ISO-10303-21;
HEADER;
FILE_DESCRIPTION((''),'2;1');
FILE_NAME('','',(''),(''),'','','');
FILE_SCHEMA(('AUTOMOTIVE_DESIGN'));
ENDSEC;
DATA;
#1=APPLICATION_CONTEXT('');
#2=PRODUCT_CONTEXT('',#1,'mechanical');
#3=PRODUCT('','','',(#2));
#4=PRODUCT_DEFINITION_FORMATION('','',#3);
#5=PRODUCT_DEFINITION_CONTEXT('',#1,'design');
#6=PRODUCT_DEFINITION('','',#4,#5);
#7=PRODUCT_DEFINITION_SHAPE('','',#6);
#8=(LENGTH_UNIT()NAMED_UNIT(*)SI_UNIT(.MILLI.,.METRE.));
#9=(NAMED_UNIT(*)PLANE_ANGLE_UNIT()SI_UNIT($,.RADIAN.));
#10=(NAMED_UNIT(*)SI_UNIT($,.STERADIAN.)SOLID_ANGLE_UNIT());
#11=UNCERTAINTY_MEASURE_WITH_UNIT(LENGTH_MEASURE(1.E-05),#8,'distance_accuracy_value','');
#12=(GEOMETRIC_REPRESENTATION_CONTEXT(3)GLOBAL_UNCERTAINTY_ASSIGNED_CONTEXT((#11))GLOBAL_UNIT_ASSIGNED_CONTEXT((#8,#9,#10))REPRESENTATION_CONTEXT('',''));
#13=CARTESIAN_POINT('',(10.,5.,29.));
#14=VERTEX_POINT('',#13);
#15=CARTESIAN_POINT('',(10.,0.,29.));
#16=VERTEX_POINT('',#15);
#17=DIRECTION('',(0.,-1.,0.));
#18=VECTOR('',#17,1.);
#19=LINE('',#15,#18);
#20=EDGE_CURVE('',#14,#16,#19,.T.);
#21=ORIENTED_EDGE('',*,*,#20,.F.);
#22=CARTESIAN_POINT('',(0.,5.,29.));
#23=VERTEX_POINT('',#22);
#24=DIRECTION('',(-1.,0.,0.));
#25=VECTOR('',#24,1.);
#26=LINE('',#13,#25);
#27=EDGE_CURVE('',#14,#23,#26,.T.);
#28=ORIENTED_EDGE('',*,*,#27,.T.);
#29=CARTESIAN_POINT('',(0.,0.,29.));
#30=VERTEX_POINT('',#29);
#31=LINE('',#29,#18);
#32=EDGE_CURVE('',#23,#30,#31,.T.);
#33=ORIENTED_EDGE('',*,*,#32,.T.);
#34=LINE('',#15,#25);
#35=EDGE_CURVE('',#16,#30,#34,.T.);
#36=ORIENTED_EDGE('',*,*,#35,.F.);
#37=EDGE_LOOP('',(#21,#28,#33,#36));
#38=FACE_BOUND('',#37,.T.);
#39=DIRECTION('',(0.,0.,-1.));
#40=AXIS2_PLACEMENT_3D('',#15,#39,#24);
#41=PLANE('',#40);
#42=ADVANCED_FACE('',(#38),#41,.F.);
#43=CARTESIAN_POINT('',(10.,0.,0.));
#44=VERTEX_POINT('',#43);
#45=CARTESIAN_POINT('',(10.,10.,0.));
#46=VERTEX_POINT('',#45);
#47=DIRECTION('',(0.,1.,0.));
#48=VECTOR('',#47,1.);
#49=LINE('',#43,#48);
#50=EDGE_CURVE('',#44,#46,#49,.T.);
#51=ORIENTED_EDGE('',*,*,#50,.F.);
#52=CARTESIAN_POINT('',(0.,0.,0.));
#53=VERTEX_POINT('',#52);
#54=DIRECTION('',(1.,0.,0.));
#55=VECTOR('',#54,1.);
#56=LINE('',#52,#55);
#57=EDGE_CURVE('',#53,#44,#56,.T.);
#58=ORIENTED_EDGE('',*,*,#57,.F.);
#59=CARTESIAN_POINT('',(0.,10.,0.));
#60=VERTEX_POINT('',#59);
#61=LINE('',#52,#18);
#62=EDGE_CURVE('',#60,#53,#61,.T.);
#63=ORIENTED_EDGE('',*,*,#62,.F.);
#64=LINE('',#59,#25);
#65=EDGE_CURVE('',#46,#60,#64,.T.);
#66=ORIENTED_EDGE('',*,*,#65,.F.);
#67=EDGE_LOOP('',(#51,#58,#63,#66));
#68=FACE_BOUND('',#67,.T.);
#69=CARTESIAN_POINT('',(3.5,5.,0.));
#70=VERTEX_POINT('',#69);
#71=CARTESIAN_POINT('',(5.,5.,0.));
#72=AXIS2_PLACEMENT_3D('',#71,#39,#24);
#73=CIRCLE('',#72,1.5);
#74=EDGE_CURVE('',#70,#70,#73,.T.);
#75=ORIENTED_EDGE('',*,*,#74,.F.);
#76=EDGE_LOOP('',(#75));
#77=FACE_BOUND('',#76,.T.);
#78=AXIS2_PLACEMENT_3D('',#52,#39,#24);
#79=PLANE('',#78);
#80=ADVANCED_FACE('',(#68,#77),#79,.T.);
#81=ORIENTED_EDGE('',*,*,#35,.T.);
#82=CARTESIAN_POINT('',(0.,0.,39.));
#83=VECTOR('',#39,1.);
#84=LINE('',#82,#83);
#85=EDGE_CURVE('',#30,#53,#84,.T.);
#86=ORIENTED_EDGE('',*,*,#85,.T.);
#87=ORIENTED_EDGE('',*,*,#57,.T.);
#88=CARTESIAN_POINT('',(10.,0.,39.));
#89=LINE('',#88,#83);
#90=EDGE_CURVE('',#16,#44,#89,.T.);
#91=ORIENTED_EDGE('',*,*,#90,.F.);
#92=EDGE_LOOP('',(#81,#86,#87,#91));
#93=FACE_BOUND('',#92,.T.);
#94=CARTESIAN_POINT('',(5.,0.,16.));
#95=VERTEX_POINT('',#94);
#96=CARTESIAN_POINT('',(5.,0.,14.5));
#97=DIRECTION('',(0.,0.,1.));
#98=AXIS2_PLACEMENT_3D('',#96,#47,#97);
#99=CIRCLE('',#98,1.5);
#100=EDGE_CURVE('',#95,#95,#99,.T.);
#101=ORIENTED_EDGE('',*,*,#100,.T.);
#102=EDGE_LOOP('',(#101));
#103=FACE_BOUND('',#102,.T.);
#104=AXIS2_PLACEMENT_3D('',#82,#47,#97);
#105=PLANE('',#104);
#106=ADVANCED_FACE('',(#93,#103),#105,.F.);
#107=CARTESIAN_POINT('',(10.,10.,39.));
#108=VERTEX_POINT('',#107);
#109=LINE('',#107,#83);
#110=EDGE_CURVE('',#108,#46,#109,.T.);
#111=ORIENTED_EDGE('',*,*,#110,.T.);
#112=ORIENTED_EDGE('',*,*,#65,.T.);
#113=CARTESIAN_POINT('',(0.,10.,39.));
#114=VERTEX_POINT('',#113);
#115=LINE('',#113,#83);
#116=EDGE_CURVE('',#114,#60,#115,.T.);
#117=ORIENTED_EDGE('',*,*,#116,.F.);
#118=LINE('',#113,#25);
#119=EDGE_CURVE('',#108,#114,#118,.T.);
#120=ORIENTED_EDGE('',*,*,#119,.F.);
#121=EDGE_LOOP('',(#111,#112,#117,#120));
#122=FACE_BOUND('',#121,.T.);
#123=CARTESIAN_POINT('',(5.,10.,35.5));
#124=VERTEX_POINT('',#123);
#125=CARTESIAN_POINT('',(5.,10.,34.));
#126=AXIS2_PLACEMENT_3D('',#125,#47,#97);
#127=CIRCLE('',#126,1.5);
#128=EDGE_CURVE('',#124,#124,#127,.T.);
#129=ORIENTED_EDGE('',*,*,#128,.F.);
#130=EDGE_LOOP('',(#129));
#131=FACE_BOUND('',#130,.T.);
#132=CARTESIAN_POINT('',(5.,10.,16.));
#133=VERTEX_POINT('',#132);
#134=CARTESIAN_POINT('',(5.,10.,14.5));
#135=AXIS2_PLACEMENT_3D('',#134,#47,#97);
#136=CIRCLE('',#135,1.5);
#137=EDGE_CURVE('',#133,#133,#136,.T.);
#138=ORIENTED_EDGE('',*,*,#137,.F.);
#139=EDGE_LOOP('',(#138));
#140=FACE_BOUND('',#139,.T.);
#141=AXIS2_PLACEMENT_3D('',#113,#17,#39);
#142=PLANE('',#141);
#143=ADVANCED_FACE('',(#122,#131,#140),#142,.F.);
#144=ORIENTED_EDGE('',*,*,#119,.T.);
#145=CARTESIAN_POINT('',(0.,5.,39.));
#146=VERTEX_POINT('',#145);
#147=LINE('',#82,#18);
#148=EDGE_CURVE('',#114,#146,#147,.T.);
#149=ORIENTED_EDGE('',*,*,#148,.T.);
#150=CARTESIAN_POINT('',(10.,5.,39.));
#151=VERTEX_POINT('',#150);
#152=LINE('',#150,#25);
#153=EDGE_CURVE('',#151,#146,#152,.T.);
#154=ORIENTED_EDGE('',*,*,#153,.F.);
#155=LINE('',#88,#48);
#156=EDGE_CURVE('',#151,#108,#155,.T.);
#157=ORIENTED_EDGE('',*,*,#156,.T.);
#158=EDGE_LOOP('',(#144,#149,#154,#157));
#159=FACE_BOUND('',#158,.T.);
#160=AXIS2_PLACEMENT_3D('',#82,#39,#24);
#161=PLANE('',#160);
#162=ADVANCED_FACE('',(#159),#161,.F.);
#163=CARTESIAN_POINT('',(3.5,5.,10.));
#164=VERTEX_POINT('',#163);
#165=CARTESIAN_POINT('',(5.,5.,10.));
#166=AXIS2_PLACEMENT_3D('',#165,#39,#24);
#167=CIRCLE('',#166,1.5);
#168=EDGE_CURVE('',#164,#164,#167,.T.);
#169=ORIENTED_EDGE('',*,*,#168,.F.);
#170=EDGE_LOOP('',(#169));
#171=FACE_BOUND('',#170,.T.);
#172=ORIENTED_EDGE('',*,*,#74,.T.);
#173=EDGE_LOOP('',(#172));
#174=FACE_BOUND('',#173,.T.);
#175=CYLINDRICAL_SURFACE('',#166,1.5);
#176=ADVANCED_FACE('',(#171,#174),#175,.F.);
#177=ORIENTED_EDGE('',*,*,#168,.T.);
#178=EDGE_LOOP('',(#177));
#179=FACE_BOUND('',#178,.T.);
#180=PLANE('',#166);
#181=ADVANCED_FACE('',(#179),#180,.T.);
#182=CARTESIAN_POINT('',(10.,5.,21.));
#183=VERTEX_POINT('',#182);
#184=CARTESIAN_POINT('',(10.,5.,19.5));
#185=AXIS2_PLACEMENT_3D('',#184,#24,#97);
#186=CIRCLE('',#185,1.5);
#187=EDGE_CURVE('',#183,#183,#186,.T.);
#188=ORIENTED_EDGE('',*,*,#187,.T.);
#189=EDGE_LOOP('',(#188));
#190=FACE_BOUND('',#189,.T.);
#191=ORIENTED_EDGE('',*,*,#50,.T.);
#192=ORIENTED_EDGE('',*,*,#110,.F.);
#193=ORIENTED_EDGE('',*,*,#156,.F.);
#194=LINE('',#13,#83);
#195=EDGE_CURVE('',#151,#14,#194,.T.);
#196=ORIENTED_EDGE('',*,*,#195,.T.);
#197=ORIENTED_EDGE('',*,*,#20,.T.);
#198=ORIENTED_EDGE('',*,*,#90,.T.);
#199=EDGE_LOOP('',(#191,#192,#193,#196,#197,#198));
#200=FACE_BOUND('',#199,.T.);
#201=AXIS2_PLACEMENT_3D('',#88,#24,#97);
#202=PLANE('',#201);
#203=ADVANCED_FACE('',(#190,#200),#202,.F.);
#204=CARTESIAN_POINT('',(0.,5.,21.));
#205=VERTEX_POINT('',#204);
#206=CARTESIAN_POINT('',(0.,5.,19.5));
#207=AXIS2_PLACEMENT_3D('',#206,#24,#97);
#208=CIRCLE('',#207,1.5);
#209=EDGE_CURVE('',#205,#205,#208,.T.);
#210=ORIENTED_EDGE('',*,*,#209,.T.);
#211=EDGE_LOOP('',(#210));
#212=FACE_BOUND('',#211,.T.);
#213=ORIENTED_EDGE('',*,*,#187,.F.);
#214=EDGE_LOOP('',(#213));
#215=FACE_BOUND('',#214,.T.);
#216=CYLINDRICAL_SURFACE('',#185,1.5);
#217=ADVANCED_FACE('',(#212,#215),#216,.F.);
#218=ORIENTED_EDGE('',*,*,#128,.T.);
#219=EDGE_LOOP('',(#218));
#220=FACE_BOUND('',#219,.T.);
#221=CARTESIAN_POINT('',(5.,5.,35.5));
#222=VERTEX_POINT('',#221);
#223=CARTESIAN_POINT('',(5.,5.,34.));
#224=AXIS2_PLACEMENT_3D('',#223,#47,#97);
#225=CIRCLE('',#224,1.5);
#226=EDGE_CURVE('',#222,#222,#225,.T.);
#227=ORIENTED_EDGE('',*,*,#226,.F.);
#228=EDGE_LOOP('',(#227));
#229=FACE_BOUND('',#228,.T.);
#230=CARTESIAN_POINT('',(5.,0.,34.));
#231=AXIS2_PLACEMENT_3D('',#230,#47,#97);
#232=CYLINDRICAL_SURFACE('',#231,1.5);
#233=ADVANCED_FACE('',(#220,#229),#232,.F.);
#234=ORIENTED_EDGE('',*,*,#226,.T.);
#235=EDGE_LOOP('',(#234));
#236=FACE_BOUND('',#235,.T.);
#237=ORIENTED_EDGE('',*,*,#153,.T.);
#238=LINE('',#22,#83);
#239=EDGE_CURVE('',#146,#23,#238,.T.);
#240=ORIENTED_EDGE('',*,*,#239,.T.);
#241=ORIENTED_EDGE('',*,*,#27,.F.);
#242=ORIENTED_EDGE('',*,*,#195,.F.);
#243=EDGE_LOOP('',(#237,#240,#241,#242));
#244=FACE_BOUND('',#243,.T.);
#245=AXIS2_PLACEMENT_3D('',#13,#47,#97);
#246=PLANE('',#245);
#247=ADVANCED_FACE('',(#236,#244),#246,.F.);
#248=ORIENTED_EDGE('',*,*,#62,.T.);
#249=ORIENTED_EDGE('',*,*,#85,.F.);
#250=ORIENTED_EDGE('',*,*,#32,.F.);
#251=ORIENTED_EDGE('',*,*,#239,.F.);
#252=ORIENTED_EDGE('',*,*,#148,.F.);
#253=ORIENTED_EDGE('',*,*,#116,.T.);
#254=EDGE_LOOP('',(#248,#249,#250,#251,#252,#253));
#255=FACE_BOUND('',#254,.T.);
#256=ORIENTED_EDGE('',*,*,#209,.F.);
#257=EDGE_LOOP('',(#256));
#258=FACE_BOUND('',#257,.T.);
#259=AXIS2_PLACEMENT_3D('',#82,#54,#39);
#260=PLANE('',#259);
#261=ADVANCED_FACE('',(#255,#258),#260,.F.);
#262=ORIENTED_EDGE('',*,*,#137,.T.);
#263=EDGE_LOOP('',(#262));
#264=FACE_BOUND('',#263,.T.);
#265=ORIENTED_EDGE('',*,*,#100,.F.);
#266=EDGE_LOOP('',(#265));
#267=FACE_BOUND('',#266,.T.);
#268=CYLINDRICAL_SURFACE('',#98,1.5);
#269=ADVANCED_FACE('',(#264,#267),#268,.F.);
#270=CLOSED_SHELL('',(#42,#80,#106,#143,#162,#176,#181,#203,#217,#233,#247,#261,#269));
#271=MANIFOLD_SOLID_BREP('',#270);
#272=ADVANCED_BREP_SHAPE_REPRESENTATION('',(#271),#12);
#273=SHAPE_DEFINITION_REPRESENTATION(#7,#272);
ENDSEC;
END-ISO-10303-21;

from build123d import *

# Parameters (mm, degrees)
ESQUISSE1_W             = 10
ESQUISSE1_H             = 10
BOSS_EXTRU_1_DEPTH      = 39
ESQUISSE2_W             = 10
ESQUISSE2_H             = 5
ENL_V_MAT_EXTRU_1_DEPTH = 10
ESQUISSE3_R             = 1.5
ENL_V_MAT_EXTRU_2_DEPTH = 10
ESQUISSE4_R             = 1.5
ENL_V_MAT_EXTRU_3_DEPTH = 42.484937025
ESQUISSE5_R             = 1.5
ENL_V_MAT_EXTRU_4_DEPTH = 42.484937025
ESQUISSE6_R             = 1.5
ENL_V_MAT_EXTRU_5_DEPTH = 42.484937025


with BuildPart() as part:
    # Esquisse1 → Boss.-Extru.1 (new body)
    with BuildSketch(Plane.XY):
        with Locations((5, 5)):
            Rectangle(ESQUISSE1_W, ESQUISSE1_H)
    extrude(amount=BOSS_EXTRU_1_DEPTH)

    # Esquisse2 → Enlèv. mat.-Extru.1 (cut)
    with BuildSketch(Plane.ZY):
        with Locations((34, 2.5)):
            Rectangle(ESQUISSE2_W, ESQUISSE2_H)
    extrude(amount=-ENL_V_MAT_EXTRU_1_DEPTH, mode=Mode.SUBTRACT)

    # Esquisse3 → Enlèv. mat.-Extru.2 (cut)
    with BuildSketch(Plane(origin=(0, 0, 0), x_dir=(-1, 0, 0), z_dir=(0, 0, -1))):
        with Locations((-5, 5)):
            Circle(ESQUISSE3_R)
    extrude(amount=-ENL_V_MAT_EXTRU_2_DEPTH, mode=Mode.SUBTRACT)

    # Esquisse4 → Enlèv. mat.-Extru.3 (cut, through all)
    with BuildSketch(Plane(origin=(0, 10, 0), x_dir=(1, 0, 0), z_dir=(0, 1, 0))):
        with Locations(Location((5, -34, 0), (0, 0, 270))):
            Circle(ESQUISSE4_R)
    extrude(amount=-ENL_V_MAT_EXTRU_3_DEPTH, mode=Mode.SUBTRACT)

    # Esquisse5 → Enlèv. mat.-Extru.4 (cut, through all)
    with BuildSketch(Plane.ZY):
        with Locations((19.5, 5)):
            Circle(ESQUISSE5_R)
    extrude(amount=-ENL_V_MAT_EXTRU_4_DEPTH, mode=Mode.SUBTRACT)

    # Esquisse6 → Enlèv. mat.-Extru.5 (cut, through all)
    with BuildSketch(Plane(origin=(0, 10, 0), x_dir=(1, 0, 0), z_dir=(0, 1, 0))):
        with Locations(Location((5, -14.5, 0), (0, 0, 270))):
            Circle(ESQUISSE6_R)
    extrude(amount=-ENL_V_MAT_EXTRU_5_DEPTH, mode=Mode.SUBTRACT)


solid = part.part
